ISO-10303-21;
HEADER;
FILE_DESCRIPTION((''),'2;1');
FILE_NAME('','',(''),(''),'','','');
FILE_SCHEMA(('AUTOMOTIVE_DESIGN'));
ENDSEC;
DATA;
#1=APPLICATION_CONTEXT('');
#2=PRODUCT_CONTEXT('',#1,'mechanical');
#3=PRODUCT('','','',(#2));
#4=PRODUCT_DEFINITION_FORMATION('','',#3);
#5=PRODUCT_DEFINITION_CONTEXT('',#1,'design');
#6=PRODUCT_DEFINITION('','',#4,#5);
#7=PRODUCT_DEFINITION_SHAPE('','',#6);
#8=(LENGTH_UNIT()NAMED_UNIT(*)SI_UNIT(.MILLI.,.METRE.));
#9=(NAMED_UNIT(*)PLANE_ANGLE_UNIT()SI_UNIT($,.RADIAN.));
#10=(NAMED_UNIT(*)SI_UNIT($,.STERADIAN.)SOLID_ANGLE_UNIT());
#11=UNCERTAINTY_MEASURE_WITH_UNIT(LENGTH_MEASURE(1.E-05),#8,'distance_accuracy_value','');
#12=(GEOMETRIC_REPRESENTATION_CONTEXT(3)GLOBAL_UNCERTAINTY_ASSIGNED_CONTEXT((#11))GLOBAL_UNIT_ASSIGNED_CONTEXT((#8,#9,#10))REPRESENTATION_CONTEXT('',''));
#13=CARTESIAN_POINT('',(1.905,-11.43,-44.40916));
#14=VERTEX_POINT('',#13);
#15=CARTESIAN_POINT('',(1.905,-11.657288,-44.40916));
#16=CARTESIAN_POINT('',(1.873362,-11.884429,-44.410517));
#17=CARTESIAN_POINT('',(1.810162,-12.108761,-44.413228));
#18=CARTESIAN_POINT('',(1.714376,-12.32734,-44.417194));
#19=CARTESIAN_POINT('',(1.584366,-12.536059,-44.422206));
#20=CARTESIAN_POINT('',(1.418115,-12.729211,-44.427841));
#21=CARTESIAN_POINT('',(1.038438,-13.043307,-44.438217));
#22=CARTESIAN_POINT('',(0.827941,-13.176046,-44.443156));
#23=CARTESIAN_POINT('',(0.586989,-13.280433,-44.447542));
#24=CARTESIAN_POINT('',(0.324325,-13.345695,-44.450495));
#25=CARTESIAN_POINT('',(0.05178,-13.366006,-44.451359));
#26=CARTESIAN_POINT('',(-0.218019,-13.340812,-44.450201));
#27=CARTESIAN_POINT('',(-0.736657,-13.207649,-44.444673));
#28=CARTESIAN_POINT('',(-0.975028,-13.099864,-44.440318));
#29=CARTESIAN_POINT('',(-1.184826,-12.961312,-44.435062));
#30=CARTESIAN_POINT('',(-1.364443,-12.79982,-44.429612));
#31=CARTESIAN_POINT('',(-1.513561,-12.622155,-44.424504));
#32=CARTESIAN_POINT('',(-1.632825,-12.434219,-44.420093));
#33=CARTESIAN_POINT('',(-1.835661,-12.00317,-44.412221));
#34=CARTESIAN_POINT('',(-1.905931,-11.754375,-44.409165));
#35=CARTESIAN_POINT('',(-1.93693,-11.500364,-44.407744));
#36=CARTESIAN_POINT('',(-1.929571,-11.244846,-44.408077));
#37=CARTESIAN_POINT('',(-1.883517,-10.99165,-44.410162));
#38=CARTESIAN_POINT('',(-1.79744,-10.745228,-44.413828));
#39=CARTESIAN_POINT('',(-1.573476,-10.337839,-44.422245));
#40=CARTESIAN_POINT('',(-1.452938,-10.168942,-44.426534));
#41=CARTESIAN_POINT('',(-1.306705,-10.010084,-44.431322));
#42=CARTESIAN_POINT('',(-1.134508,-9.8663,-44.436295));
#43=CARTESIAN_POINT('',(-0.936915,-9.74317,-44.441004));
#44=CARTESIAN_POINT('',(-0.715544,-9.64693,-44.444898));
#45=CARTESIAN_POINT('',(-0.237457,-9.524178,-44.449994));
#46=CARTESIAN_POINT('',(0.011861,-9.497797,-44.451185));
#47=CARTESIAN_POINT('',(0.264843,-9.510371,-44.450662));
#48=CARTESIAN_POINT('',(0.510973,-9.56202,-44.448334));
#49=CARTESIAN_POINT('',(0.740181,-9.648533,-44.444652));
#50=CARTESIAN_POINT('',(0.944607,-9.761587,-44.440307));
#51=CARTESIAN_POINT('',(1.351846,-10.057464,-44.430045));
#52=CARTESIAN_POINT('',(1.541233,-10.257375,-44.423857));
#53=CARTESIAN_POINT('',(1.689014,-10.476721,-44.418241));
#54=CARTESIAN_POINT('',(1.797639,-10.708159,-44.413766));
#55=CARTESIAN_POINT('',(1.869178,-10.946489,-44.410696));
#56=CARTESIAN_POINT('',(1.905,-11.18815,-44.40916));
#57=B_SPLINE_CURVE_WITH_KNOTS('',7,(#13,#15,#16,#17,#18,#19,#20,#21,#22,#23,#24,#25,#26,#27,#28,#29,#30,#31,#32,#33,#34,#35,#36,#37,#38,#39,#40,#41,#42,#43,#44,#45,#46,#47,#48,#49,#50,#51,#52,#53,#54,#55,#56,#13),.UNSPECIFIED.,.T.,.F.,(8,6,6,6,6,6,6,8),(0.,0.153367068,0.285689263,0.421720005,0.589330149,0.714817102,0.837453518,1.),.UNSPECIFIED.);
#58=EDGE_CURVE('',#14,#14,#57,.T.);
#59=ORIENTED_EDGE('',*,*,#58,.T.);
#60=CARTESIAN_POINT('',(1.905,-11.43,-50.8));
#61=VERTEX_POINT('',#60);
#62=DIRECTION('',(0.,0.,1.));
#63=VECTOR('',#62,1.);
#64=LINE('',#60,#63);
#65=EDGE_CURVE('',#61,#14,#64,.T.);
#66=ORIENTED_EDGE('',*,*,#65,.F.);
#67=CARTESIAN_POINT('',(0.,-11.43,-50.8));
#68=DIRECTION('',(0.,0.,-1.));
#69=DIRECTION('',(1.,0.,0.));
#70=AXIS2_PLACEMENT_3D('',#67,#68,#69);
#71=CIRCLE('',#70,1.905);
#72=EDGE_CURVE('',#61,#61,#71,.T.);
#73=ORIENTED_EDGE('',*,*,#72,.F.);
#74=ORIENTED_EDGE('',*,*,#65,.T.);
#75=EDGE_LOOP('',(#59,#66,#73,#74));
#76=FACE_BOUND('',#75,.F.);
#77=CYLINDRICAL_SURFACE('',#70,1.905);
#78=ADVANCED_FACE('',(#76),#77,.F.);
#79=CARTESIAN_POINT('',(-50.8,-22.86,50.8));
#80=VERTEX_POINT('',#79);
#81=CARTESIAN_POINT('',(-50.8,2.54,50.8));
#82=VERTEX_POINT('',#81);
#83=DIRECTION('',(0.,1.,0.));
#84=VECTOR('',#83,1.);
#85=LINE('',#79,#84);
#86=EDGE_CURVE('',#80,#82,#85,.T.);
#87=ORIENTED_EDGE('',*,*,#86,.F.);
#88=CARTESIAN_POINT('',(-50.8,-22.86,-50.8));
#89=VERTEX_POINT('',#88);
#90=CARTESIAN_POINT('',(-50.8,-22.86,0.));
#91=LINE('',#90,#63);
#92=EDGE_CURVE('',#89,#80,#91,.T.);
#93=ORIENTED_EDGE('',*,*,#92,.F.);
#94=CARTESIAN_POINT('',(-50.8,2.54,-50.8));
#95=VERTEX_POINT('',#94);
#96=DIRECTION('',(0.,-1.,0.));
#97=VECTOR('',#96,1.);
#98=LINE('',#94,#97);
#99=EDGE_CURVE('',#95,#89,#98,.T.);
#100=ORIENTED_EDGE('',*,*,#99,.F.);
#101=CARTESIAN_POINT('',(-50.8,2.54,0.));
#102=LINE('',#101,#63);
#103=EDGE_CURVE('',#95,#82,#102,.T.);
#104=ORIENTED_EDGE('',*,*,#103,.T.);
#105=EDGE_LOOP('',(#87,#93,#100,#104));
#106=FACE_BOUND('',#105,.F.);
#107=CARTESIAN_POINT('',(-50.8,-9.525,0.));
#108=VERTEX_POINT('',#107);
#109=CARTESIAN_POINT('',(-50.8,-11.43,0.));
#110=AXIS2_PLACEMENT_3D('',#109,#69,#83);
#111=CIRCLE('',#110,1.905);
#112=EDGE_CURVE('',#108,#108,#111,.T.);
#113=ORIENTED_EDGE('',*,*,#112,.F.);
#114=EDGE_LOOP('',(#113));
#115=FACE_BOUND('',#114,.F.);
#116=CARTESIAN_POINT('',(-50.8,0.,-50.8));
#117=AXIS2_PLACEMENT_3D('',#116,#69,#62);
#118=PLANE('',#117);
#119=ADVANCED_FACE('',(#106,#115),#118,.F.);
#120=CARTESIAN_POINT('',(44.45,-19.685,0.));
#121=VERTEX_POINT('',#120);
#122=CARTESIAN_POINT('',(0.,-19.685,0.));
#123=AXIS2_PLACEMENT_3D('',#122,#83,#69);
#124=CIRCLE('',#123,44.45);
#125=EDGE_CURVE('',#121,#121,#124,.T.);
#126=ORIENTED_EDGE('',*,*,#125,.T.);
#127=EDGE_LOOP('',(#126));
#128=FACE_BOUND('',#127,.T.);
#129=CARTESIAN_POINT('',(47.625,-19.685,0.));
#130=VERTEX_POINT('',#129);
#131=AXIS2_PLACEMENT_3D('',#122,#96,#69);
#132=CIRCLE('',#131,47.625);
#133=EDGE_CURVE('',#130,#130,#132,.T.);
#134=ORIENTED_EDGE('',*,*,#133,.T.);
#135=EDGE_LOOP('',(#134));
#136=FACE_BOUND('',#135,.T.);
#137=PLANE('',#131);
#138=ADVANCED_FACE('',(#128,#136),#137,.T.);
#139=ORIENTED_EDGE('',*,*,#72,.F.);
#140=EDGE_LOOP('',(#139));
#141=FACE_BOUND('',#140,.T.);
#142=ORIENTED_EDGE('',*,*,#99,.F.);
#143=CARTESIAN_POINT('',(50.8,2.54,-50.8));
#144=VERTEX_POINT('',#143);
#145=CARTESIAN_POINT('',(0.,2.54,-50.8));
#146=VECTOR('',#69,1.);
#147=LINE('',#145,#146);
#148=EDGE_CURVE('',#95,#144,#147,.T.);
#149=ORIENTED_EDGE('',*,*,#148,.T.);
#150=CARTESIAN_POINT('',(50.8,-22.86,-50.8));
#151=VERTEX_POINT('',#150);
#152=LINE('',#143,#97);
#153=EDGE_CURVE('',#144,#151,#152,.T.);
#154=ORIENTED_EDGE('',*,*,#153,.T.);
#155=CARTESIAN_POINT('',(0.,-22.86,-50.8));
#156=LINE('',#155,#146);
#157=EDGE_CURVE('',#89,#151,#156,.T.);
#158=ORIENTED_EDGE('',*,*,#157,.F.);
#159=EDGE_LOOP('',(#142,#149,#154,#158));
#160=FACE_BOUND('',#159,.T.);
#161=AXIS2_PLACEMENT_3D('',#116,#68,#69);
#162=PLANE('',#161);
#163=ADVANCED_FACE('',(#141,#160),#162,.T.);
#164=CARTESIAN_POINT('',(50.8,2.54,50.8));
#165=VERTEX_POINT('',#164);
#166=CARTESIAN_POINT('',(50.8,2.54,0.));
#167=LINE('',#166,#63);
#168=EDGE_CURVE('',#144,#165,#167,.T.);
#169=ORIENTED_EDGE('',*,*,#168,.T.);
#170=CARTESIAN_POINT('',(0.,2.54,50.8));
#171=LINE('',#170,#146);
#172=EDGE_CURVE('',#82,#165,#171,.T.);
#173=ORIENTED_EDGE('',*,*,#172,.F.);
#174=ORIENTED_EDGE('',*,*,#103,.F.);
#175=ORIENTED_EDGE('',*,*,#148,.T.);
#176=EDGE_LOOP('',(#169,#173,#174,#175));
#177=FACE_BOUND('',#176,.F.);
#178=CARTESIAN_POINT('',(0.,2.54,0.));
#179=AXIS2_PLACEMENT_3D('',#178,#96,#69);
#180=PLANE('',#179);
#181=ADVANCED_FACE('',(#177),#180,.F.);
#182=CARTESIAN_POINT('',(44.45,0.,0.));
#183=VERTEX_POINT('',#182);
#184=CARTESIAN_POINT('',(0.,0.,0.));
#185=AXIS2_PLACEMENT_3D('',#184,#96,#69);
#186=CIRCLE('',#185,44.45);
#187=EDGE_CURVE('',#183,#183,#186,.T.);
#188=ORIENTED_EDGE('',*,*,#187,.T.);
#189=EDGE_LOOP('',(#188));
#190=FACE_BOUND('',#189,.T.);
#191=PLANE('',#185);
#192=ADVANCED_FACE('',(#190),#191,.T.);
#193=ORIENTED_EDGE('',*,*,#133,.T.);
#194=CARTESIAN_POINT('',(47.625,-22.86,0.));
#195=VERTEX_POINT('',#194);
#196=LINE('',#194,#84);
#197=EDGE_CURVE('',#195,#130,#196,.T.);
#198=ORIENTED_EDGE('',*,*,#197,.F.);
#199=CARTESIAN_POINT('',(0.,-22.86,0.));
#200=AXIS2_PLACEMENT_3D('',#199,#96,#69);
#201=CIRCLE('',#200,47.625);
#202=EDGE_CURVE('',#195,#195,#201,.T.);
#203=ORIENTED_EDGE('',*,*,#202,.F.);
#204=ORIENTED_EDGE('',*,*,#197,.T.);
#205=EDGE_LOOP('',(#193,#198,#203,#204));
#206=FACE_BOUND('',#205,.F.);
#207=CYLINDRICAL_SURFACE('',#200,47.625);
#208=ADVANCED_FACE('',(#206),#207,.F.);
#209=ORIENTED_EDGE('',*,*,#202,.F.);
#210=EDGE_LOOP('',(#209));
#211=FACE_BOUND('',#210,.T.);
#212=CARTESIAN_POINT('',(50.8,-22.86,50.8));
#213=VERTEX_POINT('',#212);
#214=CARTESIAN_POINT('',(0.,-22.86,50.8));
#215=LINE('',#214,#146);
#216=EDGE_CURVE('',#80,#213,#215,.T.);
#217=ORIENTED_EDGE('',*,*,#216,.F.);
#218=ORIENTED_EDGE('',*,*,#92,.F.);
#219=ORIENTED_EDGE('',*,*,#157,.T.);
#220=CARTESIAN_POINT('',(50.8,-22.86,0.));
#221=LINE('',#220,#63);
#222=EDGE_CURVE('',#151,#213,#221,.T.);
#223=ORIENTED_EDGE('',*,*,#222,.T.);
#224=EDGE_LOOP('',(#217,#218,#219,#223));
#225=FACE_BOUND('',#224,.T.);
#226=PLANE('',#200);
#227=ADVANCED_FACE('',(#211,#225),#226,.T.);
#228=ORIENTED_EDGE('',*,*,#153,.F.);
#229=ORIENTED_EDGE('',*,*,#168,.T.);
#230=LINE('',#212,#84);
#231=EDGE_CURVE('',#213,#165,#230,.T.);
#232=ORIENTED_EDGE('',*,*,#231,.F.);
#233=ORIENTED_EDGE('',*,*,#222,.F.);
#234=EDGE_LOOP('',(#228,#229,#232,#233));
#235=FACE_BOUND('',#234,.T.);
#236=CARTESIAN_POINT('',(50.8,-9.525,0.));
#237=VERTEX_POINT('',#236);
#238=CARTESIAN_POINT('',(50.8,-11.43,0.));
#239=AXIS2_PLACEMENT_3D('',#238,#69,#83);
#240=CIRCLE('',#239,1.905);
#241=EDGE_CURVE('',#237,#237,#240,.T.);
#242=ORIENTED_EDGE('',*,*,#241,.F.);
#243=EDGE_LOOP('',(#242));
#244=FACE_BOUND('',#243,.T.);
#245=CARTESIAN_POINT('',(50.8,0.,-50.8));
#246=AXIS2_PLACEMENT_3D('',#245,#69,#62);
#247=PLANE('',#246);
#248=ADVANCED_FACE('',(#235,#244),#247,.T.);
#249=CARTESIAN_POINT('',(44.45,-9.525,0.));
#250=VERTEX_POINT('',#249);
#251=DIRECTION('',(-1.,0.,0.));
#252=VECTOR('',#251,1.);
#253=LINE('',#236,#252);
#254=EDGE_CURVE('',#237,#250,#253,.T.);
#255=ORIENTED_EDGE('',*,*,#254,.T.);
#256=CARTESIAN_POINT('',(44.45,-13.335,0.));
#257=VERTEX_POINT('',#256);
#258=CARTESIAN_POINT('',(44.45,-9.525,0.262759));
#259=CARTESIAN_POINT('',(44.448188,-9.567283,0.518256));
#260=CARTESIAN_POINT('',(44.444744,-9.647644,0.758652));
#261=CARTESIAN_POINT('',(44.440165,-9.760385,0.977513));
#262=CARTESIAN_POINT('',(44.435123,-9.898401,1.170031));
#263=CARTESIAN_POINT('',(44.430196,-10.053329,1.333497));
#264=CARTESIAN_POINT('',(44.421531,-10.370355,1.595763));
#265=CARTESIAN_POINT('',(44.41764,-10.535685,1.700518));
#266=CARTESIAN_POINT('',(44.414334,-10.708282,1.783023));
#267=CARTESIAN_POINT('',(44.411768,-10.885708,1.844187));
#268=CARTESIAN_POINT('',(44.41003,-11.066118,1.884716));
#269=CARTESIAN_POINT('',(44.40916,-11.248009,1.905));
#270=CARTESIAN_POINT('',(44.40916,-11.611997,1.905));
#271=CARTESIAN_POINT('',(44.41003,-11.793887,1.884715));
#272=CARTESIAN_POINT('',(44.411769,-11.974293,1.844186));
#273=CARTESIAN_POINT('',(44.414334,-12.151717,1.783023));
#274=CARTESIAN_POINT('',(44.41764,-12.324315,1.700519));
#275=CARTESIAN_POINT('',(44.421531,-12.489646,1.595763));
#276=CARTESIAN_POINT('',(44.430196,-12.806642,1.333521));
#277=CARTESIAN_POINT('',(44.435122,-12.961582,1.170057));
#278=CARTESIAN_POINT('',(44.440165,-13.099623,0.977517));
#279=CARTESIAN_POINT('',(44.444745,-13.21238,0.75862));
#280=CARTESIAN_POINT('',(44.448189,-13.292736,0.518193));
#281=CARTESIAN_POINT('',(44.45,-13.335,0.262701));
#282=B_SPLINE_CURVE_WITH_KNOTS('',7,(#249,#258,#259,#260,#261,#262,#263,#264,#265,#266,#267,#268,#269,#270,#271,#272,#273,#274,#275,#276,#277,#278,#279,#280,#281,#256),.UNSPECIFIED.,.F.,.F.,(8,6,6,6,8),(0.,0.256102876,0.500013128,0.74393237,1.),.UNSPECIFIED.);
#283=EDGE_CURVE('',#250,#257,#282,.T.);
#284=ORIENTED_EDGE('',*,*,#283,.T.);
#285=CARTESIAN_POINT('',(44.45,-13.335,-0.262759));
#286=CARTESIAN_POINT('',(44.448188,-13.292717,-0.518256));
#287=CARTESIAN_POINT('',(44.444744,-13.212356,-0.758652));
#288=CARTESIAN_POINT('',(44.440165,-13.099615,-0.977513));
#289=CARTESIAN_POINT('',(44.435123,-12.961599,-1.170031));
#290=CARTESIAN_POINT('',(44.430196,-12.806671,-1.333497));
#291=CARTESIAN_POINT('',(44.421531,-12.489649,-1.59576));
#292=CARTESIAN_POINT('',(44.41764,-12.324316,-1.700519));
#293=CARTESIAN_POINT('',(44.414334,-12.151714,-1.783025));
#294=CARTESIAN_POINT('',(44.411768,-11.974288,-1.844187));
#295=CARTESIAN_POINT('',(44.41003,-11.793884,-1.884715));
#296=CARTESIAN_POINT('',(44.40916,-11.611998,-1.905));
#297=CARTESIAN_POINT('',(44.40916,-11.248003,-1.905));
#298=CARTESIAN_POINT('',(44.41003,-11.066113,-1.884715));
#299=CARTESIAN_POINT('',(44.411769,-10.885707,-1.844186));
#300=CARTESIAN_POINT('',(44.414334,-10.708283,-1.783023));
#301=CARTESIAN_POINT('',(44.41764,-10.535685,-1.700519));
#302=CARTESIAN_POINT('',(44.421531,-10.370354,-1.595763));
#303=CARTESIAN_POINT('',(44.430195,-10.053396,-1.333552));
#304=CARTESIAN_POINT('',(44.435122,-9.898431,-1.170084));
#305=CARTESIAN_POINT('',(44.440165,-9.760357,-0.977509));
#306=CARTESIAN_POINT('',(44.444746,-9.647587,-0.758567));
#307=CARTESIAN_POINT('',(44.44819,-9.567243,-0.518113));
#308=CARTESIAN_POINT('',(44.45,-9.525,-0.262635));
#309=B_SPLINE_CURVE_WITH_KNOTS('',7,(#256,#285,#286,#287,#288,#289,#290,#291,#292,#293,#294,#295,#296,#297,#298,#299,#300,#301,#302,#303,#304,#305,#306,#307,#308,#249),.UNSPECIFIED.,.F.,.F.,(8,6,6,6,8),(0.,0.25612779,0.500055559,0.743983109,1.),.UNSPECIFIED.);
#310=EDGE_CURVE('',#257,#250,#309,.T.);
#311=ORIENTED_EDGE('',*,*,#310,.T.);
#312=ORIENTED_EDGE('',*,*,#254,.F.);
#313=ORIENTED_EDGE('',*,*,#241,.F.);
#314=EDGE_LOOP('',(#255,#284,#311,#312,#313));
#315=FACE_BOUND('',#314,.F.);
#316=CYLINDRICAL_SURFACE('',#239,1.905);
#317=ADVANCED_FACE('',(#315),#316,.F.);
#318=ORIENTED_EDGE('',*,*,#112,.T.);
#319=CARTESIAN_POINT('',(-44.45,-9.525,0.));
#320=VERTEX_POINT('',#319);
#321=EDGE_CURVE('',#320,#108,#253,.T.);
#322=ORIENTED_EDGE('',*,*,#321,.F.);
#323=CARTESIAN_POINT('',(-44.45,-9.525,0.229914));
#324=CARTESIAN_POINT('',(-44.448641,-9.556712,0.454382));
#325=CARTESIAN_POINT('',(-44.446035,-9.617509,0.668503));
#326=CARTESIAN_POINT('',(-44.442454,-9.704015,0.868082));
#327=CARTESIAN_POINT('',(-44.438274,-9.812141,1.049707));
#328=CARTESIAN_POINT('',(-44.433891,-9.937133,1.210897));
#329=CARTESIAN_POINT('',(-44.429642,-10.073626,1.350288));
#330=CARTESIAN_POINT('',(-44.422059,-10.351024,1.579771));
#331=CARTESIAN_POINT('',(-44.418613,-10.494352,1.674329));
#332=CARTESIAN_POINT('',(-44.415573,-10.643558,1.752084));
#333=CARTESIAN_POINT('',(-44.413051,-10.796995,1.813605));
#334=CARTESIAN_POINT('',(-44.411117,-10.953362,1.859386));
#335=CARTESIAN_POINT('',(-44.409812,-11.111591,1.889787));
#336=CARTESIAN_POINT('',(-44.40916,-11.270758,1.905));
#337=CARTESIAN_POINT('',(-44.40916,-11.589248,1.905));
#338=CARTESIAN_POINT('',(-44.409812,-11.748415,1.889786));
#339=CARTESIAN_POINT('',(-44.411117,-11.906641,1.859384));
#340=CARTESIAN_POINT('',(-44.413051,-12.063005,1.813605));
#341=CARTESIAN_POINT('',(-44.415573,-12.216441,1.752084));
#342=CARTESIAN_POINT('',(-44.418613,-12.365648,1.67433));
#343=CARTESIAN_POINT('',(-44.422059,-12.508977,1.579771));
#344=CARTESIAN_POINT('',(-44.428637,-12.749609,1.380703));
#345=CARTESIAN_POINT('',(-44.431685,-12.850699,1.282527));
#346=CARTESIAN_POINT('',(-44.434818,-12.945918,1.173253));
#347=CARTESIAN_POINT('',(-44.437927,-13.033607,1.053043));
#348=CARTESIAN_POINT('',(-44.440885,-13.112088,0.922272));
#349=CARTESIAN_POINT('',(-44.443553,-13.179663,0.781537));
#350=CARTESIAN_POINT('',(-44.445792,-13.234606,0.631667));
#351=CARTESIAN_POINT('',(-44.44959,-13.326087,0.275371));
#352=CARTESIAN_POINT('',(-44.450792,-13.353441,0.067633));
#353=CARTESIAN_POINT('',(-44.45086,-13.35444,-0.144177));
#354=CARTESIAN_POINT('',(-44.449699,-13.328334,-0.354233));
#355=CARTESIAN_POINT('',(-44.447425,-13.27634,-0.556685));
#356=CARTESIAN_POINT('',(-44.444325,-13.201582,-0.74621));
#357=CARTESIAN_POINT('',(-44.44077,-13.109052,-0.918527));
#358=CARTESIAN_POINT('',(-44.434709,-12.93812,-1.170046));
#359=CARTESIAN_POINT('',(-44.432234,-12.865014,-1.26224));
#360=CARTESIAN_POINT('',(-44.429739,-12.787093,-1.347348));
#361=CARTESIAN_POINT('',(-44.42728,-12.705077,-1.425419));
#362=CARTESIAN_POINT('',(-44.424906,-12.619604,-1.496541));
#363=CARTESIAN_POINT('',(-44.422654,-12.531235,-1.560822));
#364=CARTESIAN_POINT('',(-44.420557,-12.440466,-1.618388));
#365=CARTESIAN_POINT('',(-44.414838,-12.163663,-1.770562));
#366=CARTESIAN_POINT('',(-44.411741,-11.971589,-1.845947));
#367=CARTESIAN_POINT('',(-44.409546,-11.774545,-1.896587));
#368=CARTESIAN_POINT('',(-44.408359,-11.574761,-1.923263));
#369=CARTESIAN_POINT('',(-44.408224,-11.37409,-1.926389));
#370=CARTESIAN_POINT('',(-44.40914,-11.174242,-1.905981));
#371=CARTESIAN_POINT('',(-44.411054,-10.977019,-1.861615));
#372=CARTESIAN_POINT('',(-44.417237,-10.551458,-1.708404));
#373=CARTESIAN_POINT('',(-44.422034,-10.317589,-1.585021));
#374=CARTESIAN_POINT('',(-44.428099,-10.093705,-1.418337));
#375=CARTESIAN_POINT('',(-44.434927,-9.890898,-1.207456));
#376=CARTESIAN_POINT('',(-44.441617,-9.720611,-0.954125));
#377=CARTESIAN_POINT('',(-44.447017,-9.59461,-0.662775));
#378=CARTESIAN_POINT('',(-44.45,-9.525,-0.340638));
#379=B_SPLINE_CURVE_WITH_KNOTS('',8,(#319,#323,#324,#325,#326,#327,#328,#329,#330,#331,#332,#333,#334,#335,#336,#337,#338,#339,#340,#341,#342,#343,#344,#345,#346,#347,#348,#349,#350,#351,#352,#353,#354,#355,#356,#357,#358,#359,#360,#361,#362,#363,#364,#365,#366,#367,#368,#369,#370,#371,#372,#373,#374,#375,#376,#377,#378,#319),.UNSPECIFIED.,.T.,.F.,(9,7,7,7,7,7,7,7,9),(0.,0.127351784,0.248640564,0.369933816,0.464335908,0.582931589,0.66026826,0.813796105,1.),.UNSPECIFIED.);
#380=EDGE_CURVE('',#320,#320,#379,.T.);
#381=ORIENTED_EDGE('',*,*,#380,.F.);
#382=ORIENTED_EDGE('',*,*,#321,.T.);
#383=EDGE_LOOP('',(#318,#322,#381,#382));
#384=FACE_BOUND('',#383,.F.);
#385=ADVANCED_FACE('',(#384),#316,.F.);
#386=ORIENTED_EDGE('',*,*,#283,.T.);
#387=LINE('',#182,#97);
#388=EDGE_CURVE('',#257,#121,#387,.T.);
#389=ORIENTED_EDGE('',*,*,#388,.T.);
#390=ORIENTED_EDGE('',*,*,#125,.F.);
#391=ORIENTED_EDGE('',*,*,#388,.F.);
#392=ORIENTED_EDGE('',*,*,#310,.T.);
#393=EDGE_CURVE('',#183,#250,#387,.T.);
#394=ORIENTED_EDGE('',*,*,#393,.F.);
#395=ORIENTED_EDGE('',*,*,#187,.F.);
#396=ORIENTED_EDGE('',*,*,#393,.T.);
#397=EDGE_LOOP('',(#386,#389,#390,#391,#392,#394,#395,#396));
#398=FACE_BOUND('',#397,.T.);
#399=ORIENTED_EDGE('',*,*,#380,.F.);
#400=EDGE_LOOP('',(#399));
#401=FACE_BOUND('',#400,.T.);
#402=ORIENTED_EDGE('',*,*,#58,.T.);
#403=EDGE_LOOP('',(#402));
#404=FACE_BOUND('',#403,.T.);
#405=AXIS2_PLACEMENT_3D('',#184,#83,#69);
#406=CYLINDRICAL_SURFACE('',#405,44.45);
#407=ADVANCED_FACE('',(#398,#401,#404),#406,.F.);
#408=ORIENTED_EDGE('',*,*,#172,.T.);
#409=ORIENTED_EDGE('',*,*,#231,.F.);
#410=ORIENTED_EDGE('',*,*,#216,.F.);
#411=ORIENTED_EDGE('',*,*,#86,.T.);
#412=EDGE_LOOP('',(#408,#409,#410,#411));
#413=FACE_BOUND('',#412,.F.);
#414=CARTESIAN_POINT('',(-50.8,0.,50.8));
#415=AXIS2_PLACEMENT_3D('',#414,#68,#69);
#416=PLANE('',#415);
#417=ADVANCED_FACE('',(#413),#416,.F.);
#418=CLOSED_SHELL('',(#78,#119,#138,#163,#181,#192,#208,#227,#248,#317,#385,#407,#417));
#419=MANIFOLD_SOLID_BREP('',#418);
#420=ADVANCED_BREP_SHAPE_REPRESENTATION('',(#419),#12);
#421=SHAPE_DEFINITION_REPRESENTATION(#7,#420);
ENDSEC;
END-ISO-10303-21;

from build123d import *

# Parameters (mm, degrees)
F0_W     = 101.6
F0_H     = 101.6
F0_R     = 44.45
F1_DEPTH = 22.86
F3_R     = 1.905
F4_DEPTH = 101.601
F2_R     = 1.905
F5_DEPTH = 6.3918402903
F6_W     = 101.6
F6_H     = 101.6
F7_DEPTH = 2.54
F8_R     = 47.625
F9_DEPTH = 3.175


with BuildPart() as f1:
    # F0 (on Front) → F1 (new body)
    with BuildSketch(Plane.XZ):
        Rectangle(F0_W, F0_H)
        Circle(F0_R, mode=Mode.SUBTRACT)
    extrude(amount=F1_DEPTH)

    # F3 (on face) → F4 (cut, through all)
    with BuildSketch(Plane.YZ.offset(50.8)):
        with Locations((-11.43, 0)):
            Circle(F3_R)
    extrude(amount=-F4_DEPTH, mode=Mode.SUBTRACT)

    # F2 (on face) → F5 (cut, through all)
    with BuildSketch(Plane(origin=(0, 0, -50.8), x_dir=(1, 0, 0), z_dir=(0, 0, -1))):
        with Locations((0, 11.43)):
            Circle(F2_R)
    extrude(amount=-F5_DEPTH, mode=Mode.SUBTRACT)

    # F6 (on Front) → F7 (join)
    with BuildSketch(Plane.XZ):
        Rectangle(F6_W, F6_H)
    extrude(amount=-F7_DEPTH)

    # F8 (on face) → F9 (cut)
    with BuildSketch(Plane.XZ.offset(22.86)):
        Circle(F8_R)
    extrude(amount=-F9_DEPTH, mode=Mode.SUBTRACT)


solid = f1.part
